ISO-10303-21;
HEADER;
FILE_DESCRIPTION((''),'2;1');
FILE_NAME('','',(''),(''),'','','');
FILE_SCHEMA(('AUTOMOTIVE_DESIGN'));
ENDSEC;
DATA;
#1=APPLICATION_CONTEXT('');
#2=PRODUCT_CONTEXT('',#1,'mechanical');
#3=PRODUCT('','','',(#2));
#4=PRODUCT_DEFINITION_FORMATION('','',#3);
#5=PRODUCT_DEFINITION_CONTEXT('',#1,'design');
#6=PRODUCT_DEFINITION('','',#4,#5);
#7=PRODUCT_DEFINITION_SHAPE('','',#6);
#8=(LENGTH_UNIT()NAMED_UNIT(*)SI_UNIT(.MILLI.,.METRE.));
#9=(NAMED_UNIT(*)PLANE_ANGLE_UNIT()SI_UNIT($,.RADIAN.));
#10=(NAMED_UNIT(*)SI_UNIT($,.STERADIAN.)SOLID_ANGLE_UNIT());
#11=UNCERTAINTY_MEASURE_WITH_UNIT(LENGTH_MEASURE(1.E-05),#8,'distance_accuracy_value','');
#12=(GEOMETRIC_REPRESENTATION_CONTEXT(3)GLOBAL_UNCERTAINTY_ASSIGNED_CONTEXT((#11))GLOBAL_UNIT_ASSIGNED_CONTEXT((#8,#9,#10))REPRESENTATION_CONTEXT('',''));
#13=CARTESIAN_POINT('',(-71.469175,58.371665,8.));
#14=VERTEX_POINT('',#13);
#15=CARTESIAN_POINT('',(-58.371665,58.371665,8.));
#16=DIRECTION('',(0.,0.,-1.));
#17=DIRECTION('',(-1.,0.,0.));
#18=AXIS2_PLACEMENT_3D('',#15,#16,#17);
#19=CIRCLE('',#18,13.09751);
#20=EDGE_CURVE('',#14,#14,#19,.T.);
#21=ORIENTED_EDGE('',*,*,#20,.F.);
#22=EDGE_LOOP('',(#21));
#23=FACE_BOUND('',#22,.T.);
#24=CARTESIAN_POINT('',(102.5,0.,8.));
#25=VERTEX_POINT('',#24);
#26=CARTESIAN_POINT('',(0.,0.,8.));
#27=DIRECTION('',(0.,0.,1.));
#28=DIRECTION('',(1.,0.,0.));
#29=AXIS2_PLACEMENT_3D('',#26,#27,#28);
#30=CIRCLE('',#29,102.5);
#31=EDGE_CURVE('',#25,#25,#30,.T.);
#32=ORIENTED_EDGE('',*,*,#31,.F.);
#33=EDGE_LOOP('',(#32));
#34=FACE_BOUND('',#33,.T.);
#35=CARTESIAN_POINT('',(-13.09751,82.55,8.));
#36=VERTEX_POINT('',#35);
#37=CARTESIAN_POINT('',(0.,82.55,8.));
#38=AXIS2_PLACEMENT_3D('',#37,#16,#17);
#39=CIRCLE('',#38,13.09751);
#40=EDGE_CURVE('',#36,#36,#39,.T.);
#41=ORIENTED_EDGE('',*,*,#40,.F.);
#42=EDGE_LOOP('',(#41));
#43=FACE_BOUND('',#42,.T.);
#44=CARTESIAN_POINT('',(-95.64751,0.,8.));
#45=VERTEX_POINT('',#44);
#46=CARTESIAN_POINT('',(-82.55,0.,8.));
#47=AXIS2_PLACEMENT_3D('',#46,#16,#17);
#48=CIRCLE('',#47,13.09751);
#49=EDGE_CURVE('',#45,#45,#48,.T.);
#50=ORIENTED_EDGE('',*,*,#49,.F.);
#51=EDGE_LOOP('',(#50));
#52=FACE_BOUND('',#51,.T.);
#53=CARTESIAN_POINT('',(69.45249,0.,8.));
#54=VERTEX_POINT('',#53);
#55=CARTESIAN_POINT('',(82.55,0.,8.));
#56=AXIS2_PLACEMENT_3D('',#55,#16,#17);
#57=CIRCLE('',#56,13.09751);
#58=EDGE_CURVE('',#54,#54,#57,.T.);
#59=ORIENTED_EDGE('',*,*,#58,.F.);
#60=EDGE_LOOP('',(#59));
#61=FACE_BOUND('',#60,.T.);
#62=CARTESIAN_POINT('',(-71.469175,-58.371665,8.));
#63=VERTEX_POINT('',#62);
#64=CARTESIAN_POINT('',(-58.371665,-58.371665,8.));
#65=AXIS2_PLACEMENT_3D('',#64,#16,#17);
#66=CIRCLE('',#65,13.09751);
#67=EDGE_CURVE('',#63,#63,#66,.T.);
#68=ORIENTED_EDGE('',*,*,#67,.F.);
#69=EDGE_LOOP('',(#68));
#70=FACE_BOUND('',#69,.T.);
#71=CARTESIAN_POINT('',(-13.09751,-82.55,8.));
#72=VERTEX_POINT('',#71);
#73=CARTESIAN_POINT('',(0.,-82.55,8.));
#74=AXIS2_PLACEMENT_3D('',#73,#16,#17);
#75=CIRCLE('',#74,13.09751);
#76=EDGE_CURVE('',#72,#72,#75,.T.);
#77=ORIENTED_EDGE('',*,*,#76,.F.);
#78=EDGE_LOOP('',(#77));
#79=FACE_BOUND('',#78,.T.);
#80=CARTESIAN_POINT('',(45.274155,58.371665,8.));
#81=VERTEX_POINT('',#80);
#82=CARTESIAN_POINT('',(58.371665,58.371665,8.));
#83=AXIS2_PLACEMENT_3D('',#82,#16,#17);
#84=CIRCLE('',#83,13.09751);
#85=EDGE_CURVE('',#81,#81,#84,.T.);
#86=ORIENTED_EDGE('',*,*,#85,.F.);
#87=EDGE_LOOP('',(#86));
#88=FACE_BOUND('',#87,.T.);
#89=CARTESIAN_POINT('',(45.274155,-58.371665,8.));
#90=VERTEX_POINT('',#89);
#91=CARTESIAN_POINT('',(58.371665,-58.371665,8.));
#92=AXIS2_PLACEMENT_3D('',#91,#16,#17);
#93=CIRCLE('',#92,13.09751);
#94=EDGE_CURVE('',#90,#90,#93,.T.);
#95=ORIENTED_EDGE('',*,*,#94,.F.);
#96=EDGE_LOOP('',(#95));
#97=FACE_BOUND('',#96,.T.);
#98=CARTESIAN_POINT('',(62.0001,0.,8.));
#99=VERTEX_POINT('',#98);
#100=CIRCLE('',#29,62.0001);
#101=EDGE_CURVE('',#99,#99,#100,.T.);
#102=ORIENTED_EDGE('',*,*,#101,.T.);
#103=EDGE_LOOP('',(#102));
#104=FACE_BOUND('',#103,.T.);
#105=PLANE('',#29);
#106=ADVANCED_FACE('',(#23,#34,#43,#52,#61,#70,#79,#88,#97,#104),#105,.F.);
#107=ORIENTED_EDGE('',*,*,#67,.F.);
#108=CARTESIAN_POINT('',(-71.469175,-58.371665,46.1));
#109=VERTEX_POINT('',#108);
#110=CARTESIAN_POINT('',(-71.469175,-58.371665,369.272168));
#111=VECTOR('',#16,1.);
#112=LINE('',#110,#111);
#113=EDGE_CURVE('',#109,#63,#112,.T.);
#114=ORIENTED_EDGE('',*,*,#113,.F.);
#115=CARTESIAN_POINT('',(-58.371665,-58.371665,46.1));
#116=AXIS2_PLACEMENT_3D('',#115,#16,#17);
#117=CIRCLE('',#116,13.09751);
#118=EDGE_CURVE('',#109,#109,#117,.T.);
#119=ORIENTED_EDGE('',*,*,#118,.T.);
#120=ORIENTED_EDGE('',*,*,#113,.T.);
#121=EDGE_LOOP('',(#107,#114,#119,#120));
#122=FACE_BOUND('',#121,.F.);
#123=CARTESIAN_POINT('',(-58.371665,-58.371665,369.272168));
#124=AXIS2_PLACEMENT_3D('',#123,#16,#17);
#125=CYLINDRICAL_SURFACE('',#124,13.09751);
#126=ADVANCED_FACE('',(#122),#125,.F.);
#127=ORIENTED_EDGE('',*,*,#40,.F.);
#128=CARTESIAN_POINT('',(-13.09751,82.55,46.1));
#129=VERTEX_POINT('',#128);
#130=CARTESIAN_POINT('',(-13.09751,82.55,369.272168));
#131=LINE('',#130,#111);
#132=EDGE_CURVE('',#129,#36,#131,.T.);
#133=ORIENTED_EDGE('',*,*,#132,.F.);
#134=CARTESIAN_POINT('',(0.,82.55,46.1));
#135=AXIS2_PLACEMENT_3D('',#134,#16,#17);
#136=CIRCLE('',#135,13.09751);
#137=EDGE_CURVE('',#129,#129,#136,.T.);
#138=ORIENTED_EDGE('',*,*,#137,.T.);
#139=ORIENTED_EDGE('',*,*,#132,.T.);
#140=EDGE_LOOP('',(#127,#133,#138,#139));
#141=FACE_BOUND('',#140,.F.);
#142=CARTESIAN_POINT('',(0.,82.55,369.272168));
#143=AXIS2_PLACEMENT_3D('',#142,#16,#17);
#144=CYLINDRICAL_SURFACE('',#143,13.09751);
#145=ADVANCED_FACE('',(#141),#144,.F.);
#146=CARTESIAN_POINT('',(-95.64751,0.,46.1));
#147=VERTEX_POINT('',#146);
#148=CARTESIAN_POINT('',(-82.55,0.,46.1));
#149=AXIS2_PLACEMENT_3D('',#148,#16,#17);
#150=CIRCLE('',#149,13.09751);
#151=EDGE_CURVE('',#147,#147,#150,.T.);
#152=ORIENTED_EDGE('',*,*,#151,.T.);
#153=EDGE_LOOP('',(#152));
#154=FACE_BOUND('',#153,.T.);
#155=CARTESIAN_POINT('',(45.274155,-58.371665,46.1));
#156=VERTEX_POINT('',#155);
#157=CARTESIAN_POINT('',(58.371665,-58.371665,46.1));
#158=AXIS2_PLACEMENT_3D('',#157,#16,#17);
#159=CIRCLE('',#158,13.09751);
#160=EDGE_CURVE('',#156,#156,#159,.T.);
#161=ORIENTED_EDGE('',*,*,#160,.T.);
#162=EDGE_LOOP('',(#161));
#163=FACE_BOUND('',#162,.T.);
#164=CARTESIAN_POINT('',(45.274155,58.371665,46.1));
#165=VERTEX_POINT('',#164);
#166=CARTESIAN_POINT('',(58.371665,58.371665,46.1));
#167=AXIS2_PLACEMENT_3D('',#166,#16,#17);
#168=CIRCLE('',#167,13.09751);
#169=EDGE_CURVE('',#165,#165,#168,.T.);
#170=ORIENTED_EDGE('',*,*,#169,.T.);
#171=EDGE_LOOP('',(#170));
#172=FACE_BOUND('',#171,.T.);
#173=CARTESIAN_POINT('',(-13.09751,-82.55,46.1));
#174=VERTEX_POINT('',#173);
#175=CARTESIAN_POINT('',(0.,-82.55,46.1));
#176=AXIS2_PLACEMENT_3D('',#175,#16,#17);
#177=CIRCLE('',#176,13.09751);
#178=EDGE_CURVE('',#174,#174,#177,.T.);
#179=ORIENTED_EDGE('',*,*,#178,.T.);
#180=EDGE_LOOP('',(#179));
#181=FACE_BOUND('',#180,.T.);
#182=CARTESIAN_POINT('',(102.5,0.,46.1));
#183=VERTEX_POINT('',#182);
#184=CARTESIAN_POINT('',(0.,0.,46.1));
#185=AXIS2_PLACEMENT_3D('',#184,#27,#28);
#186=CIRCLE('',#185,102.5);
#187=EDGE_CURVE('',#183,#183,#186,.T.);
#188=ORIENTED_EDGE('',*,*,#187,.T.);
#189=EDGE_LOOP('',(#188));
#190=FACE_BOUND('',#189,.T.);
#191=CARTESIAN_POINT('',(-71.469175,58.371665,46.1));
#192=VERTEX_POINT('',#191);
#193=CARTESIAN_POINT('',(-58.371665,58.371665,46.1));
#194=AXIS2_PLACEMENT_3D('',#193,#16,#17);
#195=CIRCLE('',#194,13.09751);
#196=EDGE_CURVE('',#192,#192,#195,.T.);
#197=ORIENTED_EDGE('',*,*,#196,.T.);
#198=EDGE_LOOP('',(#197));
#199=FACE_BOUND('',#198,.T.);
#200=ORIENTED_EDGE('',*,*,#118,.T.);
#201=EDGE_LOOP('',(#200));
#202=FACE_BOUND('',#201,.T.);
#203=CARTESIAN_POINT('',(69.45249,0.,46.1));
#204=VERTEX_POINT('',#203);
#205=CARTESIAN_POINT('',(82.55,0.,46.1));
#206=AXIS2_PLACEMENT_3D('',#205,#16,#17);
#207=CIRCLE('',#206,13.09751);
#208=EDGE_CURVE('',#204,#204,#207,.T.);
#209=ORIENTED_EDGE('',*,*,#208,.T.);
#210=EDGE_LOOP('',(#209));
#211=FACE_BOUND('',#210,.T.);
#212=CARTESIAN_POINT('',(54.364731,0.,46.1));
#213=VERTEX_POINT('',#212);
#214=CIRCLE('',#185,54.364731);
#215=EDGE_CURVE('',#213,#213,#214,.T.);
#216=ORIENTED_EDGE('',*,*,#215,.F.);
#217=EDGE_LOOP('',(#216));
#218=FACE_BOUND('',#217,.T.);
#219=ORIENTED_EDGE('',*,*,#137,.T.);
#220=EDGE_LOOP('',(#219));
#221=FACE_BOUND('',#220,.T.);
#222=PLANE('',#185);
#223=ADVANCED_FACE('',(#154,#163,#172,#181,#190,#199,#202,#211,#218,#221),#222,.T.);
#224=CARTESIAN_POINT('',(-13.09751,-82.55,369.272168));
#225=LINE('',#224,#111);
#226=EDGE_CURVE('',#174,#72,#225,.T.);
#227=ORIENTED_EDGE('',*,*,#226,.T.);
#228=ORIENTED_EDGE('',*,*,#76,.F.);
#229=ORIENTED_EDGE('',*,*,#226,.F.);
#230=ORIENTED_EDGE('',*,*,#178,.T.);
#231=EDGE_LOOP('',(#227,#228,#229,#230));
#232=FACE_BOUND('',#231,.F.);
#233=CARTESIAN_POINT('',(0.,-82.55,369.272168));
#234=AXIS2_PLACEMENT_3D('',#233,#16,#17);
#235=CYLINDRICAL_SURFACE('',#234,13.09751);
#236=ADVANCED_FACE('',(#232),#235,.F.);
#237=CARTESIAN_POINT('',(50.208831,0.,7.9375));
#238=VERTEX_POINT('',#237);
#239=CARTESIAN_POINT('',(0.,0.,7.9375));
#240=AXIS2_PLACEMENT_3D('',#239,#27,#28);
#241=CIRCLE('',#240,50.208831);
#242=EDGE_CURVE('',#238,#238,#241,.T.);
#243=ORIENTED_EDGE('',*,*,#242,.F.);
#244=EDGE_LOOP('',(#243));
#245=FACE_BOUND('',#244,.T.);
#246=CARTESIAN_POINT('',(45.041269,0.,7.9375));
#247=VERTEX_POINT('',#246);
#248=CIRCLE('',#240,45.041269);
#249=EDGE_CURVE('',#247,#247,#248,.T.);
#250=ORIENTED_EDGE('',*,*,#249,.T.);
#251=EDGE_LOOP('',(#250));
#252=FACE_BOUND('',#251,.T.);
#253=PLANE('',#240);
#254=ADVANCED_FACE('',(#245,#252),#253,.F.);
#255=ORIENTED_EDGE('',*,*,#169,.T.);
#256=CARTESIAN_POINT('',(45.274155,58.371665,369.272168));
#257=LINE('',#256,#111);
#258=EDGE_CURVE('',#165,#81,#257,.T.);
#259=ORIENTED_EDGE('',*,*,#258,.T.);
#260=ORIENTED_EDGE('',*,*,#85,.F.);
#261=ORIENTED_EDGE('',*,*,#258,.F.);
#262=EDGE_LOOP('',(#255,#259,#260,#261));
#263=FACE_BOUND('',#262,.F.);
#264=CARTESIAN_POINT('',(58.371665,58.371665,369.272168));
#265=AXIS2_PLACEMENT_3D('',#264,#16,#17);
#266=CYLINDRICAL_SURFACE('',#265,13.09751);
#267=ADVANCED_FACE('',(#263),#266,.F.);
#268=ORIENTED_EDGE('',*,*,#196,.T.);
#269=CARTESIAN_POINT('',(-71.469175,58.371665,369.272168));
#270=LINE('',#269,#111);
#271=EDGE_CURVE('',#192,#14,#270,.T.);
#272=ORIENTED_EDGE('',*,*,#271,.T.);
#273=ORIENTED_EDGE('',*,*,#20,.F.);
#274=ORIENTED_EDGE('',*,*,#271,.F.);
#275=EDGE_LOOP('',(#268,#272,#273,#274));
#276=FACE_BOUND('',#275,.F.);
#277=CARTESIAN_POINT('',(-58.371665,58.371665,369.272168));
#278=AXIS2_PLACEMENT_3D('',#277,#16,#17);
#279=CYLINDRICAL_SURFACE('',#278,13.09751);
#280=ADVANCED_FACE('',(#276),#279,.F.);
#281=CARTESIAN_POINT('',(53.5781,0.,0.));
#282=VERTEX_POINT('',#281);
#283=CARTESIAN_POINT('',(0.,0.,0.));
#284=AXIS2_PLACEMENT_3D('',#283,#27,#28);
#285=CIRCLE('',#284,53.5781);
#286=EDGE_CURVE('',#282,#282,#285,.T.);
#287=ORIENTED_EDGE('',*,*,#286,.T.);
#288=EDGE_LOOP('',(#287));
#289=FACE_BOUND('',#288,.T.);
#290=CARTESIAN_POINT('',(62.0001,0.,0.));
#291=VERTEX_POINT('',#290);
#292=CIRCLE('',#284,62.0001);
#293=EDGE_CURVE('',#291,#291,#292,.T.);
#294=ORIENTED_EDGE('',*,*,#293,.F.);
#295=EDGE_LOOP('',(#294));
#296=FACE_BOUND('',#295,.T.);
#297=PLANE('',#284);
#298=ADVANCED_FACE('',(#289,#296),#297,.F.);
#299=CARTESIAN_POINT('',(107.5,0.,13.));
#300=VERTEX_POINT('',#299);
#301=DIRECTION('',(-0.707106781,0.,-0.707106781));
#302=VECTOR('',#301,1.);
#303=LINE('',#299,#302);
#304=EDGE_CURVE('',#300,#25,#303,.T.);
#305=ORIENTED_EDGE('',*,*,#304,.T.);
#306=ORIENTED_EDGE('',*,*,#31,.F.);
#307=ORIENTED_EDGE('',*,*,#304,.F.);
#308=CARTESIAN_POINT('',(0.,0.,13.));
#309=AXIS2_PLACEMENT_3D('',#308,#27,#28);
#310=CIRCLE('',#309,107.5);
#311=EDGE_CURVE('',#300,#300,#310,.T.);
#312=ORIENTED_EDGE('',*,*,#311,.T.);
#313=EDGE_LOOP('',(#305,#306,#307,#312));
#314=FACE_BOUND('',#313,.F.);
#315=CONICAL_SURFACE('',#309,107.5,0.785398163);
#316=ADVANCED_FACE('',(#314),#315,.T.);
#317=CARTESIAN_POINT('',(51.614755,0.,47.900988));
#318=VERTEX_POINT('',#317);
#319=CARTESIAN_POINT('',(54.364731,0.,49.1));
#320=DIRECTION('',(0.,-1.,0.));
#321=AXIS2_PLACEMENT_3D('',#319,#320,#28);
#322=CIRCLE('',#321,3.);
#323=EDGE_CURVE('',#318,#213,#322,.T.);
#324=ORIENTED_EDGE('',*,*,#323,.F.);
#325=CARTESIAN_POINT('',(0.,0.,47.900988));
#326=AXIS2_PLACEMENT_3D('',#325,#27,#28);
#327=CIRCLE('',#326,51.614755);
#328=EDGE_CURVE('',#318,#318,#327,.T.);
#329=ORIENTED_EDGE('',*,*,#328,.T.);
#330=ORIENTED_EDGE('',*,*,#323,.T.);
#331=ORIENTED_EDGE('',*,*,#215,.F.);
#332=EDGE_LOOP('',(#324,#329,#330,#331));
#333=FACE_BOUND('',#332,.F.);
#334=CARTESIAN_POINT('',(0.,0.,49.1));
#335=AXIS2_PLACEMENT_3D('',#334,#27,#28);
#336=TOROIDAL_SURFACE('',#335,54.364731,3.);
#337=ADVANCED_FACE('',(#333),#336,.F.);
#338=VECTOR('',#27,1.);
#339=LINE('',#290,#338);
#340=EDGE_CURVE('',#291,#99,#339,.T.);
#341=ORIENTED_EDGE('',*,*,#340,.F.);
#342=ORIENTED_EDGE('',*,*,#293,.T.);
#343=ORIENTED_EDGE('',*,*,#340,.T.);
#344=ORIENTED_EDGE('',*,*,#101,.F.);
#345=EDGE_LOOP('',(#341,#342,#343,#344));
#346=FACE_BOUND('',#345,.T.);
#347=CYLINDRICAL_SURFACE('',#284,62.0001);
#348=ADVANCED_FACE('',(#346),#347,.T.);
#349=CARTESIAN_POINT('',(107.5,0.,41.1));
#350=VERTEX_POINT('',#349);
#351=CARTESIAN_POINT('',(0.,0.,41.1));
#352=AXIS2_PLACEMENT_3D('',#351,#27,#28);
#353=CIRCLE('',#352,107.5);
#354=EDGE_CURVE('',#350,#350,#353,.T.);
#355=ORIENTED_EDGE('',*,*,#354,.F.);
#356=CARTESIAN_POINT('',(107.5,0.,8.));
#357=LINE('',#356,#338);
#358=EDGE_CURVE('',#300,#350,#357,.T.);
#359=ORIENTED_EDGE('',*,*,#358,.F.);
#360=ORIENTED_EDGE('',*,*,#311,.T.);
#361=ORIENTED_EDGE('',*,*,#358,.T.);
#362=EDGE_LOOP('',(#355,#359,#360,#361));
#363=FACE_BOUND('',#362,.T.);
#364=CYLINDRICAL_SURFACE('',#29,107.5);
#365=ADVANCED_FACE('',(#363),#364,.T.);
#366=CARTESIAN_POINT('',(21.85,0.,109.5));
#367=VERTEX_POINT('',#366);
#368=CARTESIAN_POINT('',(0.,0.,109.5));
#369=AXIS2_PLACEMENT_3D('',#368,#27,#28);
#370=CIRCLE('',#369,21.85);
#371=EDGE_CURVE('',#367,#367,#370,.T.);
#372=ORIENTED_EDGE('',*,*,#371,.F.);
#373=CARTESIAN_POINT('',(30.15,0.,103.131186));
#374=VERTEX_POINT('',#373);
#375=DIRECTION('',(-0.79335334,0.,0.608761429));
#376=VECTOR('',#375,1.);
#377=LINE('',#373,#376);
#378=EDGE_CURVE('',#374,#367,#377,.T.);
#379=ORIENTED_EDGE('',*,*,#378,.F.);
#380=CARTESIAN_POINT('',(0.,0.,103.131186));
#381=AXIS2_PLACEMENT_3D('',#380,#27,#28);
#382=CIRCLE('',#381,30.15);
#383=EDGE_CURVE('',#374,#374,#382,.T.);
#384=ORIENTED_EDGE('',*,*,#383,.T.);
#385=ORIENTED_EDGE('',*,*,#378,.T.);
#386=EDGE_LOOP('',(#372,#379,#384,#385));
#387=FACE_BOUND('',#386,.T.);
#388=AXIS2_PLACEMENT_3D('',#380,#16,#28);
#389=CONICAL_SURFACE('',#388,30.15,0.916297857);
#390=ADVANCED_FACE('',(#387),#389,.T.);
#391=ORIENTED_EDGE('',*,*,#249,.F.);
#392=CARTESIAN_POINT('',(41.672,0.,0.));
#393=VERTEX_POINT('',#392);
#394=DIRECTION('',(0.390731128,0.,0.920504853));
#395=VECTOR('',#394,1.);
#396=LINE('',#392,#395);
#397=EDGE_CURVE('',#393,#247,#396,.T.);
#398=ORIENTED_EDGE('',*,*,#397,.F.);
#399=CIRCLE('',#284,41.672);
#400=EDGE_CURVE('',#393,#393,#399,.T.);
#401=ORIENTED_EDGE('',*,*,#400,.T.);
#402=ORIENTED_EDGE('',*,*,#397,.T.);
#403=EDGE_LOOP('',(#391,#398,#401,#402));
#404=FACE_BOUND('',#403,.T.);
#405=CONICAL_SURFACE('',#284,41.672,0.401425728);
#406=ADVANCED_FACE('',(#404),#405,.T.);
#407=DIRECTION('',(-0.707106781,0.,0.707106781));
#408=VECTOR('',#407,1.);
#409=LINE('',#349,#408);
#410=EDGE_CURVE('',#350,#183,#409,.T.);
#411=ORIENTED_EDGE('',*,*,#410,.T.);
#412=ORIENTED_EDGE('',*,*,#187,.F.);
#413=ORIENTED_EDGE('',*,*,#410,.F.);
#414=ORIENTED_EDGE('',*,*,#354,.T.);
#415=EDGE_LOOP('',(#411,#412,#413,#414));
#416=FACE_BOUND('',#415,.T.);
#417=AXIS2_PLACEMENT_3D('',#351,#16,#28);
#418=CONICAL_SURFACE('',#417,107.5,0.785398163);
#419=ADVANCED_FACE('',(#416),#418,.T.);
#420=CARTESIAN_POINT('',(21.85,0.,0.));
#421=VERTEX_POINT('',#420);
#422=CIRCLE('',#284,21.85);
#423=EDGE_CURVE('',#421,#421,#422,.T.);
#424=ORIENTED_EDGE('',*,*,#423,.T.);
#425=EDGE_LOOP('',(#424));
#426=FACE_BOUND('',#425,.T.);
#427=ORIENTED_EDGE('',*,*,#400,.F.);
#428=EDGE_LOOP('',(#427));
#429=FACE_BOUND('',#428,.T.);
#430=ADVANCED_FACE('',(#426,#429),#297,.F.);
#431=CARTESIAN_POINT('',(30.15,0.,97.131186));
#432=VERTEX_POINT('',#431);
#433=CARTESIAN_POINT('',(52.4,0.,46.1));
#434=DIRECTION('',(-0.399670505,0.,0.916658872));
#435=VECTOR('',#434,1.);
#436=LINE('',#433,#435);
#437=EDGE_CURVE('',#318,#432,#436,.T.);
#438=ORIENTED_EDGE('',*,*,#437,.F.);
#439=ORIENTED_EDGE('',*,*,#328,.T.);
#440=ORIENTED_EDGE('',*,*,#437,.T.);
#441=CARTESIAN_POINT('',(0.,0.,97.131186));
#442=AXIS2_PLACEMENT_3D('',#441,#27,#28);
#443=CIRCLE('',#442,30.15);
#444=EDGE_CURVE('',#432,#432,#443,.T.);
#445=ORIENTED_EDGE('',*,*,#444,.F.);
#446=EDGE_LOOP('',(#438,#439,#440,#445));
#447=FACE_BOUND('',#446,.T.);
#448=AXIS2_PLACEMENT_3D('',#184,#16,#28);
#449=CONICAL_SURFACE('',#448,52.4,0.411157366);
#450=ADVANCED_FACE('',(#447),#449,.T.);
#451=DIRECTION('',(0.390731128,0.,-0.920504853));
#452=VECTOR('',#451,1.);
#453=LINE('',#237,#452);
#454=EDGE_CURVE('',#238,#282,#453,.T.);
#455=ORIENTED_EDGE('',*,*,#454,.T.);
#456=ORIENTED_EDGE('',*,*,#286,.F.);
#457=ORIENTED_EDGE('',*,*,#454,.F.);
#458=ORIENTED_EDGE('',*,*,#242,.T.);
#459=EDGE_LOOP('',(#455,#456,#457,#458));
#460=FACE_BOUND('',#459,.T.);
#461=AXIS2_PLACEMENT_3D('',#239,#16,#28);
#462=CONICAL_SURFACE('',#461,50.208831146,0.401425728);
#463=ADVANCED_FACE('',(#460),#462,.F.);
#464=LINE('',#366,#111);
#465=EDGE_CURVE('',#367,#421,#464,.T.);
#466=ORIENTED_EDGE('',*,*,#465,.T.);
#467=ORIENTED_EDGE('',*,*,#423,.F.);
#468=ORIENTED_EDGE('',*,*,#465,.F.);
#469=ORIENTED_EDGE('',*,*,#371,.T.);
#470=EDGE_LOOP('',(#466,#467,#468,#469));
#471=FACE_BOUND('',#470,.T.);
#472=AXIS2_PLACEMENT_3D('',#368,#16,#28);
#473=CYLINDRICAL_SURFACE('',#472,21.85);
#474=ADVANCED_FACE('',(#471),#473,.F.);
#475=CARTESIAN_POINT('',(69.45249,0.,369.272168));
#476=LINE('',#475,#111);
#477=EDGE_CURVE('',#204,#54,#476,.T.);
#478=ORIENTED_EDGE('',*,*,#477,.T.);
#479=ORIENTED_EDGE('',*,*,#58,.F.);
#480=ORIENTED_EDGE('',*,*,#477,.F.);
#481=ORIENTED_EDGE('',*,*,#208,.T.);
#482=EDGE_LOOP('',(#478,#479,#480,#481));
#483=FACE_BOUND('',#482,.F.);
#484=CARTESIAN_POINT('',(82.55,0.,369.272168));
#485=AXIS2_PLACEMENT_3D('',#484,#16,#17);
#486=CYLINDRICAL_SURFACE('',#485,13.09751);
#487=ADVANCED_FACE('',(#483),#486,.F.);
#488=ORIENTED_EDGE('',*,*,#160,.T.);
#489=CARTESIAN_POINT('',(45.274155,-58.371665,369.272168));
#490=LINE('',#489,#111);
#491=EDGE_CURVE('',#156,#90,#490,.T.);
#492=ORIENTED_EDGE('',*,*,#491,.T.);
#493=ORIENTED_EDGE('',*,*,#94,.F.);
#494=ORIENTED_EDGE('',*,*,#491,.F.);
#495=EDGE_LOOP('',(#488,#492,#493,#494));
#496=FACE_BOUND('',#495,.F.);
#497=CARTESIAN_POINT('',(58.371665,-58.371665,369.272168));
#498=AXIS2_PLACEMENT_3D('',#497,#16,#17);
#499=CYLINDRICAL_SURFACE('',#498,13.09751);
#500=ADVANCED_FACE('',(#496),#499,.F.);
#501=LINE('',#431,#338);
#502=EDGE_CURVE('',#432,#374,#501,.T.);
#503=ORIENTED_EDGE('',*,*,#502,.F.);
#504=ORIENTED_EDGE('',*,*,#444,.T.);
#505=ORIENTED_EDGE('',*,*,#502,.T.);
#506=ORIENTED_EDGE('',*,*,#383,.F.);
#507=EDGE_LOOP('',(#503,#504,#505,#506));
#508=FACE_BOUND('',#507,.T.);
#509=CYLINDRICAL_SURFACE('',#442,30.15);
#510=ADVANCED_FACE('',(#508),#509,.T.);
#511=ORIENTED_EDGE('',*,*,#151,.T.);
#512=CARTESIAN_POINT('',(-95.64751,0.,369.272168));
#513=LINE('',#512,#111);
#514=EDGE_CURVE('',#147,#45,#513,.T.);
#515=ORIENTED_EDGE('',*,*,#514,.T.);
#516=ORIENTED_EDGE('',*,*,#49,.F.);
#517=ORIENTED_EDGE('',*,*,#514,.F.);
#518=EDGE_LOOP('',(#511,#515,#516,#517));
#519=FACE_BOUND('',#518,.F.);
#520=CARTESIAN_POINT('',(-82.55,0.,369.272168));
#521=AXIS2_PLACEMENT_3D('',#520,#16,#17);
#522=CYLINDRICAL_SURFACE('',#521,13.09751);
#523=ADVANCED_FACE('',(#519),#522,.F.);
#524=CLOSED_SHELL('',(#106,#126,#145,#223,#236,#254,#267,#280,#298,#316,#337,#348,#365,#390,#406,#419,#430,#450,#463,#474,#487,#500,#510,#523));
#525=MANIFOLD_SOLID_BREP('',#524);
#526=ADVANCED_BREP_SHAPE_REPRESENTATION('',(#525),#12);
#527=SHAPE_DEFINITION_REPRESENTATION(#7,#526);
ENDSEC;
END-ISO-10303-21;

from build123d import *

# Parameters (mm, degrees)
F3_D    = 26.19502
F4_R    = 3
F5_SIZE = 5
F6_SIZE = 5


with BuildPart() as f1:
    # F0 (on Front) → F1 (revolve)
    with BuildSketch(Plane.XZ):
        Polygon((21.85, 109.5), (21.85, 0), (41.672, 0), (45.0412688537, 7.9375), (50.2088311463, 7.9375), (53.5781, 0), (62.0001, 0), (62.0001, 8), (107.5, 8), (107.5, 46.1), (52.4, 46.1), (30.15, 97.1311859998), (30.15, 103.1311859998), align=None)
    revolve(axis=Axis((0, 0, 78.9197534323), (0, 0, 1)))

    # F3 (through all)
    with Locations(Plane.XY.offset(46.1)):
        with Locations((0, 82.55), (58.3716647869, 58.3716647869), (82.55, 0), (58.3716647869, -58.3716647869), (0, -82.55), (-58.3716647869, -58.3716647869), (-82.55, 0), (-58.3716647869, 58.3716647869)):
            Hole(F3_D / 2)

    # F4
    f4_edges = [f1.edges().sort_by_distance(p)[0] for p in [
        (-52.4, 0, 46.1),
    ]]
    fillet(f4_edges, radius=F4_R)

    # F5
    f5_edges = [f1.edges().sort_by_distance(p)[0] for p in [
        (-107.5, 0, 8),
    ]]
    chamfer(f5_edges, length=F5_SIZE)

    # F6
    f6_edges = [f1.edges().sort_by_distance(p)[0] for p in [
        (-107.5, 0, 46.1),
    ]]
    chamfer(f6_edges, length=F6_SIZE)


solid = f1.part
